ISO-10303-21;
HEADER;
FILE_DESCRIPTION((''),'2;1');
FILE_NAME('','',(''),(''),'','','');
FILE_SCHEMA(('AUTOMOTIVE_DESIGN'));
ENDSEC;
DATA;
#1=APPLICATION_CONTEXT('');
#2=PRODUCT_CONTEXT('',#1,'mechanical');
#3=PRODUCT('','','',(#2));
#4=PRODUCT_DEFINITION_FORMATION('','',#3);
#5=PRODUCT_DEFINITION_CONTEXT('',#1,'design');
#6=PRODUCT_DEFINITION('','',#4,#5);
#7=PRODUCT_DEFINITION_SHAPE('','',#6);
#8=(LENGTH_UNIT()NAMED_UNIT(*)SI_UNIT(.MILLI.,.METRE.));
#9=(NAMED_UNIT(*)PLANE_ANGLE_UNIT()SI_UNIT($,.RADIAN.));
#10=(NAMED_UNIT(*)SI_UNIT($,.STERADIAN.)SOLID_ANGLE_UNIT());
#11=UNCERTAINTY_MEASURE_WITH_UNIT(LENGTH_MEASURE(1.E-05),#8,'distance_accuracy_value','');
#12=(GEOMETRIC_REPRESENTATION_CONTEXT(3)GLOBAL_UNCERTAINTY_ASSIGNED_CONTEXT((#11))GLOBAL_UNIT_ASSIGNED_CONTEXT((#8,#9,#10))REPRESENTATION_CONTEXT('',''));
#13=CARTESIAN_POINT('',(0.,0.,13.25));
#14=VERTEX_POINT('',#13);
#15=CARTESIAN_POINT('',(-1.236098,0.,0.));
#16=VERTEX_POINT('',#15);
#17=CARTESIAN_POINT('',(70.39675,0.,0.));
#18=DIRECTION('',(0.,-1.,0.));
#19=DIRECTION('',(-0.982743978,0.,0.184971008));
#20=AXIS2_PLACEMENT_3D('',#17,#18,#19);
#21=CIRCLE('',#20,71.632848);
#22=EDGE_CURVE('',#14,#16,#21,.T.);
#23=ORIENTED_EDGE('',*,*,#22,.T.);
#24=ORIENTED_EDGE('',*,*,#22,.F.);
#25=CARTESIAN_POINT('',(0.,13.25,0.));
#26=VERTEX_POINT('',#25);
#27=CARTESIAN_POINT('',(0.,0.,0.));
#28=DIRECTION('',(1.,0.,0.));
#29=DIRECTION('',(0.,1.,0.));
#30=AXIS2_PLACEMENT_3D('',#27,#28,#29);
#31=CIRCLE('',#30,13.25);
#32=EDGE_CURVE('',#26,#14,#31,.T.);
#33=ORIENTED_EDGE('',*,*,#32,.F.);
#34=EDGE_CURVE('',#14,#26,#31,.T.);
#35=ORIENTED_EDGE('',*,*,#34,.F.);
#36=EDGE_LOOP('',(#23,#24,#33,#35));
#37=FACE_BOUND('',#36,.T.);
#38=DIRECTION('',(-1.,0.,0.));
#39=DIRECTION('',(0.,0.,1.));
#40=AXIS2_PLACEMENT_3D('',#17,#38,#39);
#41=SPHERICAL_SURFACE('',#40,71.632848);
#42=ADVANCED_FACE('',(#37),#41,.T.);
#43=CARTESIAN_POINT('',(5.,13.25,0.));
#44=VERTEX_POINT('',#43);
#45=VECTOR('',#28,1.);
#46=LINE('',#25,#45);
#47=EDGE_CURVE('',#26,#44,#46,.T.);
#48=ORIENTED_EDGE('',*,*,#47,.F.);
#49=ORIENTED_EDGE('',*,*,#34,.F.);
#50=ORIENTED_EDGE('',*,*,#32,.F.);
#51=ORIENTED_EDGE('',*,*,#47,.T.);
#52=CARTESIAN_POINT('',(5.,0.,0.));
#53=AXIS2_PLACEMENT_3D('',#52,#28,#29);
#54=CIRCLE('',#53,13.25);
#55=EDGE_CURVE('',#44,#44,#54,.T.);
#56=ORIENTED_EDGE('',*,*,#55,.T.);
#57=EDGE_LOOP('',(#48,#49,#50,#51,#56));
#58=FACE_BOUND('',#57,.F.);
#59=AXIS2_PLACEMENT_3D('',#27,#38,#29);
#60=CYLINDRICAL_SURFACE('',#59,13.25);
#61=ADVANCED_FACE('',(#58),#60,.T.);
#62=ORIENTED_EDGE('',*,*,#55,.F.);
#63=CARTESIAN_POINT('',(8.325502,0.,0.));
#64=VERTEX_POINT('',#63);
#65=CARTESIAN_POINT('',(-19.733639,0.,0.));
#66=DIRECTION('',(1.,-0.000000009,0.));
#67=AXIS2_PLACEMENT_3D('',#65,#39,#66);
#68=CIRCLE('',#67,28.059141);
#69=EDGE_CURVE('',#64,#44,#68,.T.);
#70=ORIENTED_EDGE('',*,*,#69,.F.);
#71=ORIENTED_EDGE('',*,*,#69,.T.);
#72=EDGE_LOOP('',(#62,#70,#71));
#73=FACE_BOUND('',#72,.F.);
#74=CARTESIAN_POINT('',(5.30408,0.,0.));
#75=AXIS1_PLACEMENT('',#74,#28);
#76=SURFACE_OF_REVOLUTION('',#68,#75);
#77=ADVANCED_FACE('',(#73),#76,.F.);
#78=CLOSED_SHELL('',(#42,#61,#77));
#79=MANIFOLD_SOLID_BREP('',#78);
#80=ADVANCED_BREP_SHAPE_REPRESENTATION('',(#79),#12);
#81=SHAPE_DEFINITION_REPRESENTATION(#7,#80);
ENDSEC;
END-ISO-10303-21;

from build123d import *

# Parameters (mm, degrees)
F0_R     = 13.25
F1_DEPTH = 5


with BuildPart() as f1:
    # F0 (on Right) → F1 (new body)
    with BuildSketch(Plane.YZ):
        Circle(F0_R)
    extrude(amount=F1_DEPTH)

    # F2 (on Top) → F4 (revolve)
    with BuildSketch(Plane.XY):
        with BuildLine():
            ThreePointArc((8.325502, 0), (7.481431, 6.830473), (5, 13.25))
            Line((5, 13.25), (5, 0))
            Line((5, 0), (8.325502, 0))
        make_face()
    revolve(axis=Axis((5.30408, 0, 0), (1, 0, 0)))

    # F5 (on Front) → F6 (revolve)
    with BuildSketch(Plane.XZ):
        with BuildLine():
            Line((-1.236098, 0), (0, 0))
            Line((0, 0), (0, 13.25))
            ThreePointArc((0, 13.25), (-0.926404, 6.653767), (-1.236098, 0))
        make_face()
    revolve(axis=Axis((-0.618049, 0, 0), (-1, 0, 0)))


solid = f1.part
